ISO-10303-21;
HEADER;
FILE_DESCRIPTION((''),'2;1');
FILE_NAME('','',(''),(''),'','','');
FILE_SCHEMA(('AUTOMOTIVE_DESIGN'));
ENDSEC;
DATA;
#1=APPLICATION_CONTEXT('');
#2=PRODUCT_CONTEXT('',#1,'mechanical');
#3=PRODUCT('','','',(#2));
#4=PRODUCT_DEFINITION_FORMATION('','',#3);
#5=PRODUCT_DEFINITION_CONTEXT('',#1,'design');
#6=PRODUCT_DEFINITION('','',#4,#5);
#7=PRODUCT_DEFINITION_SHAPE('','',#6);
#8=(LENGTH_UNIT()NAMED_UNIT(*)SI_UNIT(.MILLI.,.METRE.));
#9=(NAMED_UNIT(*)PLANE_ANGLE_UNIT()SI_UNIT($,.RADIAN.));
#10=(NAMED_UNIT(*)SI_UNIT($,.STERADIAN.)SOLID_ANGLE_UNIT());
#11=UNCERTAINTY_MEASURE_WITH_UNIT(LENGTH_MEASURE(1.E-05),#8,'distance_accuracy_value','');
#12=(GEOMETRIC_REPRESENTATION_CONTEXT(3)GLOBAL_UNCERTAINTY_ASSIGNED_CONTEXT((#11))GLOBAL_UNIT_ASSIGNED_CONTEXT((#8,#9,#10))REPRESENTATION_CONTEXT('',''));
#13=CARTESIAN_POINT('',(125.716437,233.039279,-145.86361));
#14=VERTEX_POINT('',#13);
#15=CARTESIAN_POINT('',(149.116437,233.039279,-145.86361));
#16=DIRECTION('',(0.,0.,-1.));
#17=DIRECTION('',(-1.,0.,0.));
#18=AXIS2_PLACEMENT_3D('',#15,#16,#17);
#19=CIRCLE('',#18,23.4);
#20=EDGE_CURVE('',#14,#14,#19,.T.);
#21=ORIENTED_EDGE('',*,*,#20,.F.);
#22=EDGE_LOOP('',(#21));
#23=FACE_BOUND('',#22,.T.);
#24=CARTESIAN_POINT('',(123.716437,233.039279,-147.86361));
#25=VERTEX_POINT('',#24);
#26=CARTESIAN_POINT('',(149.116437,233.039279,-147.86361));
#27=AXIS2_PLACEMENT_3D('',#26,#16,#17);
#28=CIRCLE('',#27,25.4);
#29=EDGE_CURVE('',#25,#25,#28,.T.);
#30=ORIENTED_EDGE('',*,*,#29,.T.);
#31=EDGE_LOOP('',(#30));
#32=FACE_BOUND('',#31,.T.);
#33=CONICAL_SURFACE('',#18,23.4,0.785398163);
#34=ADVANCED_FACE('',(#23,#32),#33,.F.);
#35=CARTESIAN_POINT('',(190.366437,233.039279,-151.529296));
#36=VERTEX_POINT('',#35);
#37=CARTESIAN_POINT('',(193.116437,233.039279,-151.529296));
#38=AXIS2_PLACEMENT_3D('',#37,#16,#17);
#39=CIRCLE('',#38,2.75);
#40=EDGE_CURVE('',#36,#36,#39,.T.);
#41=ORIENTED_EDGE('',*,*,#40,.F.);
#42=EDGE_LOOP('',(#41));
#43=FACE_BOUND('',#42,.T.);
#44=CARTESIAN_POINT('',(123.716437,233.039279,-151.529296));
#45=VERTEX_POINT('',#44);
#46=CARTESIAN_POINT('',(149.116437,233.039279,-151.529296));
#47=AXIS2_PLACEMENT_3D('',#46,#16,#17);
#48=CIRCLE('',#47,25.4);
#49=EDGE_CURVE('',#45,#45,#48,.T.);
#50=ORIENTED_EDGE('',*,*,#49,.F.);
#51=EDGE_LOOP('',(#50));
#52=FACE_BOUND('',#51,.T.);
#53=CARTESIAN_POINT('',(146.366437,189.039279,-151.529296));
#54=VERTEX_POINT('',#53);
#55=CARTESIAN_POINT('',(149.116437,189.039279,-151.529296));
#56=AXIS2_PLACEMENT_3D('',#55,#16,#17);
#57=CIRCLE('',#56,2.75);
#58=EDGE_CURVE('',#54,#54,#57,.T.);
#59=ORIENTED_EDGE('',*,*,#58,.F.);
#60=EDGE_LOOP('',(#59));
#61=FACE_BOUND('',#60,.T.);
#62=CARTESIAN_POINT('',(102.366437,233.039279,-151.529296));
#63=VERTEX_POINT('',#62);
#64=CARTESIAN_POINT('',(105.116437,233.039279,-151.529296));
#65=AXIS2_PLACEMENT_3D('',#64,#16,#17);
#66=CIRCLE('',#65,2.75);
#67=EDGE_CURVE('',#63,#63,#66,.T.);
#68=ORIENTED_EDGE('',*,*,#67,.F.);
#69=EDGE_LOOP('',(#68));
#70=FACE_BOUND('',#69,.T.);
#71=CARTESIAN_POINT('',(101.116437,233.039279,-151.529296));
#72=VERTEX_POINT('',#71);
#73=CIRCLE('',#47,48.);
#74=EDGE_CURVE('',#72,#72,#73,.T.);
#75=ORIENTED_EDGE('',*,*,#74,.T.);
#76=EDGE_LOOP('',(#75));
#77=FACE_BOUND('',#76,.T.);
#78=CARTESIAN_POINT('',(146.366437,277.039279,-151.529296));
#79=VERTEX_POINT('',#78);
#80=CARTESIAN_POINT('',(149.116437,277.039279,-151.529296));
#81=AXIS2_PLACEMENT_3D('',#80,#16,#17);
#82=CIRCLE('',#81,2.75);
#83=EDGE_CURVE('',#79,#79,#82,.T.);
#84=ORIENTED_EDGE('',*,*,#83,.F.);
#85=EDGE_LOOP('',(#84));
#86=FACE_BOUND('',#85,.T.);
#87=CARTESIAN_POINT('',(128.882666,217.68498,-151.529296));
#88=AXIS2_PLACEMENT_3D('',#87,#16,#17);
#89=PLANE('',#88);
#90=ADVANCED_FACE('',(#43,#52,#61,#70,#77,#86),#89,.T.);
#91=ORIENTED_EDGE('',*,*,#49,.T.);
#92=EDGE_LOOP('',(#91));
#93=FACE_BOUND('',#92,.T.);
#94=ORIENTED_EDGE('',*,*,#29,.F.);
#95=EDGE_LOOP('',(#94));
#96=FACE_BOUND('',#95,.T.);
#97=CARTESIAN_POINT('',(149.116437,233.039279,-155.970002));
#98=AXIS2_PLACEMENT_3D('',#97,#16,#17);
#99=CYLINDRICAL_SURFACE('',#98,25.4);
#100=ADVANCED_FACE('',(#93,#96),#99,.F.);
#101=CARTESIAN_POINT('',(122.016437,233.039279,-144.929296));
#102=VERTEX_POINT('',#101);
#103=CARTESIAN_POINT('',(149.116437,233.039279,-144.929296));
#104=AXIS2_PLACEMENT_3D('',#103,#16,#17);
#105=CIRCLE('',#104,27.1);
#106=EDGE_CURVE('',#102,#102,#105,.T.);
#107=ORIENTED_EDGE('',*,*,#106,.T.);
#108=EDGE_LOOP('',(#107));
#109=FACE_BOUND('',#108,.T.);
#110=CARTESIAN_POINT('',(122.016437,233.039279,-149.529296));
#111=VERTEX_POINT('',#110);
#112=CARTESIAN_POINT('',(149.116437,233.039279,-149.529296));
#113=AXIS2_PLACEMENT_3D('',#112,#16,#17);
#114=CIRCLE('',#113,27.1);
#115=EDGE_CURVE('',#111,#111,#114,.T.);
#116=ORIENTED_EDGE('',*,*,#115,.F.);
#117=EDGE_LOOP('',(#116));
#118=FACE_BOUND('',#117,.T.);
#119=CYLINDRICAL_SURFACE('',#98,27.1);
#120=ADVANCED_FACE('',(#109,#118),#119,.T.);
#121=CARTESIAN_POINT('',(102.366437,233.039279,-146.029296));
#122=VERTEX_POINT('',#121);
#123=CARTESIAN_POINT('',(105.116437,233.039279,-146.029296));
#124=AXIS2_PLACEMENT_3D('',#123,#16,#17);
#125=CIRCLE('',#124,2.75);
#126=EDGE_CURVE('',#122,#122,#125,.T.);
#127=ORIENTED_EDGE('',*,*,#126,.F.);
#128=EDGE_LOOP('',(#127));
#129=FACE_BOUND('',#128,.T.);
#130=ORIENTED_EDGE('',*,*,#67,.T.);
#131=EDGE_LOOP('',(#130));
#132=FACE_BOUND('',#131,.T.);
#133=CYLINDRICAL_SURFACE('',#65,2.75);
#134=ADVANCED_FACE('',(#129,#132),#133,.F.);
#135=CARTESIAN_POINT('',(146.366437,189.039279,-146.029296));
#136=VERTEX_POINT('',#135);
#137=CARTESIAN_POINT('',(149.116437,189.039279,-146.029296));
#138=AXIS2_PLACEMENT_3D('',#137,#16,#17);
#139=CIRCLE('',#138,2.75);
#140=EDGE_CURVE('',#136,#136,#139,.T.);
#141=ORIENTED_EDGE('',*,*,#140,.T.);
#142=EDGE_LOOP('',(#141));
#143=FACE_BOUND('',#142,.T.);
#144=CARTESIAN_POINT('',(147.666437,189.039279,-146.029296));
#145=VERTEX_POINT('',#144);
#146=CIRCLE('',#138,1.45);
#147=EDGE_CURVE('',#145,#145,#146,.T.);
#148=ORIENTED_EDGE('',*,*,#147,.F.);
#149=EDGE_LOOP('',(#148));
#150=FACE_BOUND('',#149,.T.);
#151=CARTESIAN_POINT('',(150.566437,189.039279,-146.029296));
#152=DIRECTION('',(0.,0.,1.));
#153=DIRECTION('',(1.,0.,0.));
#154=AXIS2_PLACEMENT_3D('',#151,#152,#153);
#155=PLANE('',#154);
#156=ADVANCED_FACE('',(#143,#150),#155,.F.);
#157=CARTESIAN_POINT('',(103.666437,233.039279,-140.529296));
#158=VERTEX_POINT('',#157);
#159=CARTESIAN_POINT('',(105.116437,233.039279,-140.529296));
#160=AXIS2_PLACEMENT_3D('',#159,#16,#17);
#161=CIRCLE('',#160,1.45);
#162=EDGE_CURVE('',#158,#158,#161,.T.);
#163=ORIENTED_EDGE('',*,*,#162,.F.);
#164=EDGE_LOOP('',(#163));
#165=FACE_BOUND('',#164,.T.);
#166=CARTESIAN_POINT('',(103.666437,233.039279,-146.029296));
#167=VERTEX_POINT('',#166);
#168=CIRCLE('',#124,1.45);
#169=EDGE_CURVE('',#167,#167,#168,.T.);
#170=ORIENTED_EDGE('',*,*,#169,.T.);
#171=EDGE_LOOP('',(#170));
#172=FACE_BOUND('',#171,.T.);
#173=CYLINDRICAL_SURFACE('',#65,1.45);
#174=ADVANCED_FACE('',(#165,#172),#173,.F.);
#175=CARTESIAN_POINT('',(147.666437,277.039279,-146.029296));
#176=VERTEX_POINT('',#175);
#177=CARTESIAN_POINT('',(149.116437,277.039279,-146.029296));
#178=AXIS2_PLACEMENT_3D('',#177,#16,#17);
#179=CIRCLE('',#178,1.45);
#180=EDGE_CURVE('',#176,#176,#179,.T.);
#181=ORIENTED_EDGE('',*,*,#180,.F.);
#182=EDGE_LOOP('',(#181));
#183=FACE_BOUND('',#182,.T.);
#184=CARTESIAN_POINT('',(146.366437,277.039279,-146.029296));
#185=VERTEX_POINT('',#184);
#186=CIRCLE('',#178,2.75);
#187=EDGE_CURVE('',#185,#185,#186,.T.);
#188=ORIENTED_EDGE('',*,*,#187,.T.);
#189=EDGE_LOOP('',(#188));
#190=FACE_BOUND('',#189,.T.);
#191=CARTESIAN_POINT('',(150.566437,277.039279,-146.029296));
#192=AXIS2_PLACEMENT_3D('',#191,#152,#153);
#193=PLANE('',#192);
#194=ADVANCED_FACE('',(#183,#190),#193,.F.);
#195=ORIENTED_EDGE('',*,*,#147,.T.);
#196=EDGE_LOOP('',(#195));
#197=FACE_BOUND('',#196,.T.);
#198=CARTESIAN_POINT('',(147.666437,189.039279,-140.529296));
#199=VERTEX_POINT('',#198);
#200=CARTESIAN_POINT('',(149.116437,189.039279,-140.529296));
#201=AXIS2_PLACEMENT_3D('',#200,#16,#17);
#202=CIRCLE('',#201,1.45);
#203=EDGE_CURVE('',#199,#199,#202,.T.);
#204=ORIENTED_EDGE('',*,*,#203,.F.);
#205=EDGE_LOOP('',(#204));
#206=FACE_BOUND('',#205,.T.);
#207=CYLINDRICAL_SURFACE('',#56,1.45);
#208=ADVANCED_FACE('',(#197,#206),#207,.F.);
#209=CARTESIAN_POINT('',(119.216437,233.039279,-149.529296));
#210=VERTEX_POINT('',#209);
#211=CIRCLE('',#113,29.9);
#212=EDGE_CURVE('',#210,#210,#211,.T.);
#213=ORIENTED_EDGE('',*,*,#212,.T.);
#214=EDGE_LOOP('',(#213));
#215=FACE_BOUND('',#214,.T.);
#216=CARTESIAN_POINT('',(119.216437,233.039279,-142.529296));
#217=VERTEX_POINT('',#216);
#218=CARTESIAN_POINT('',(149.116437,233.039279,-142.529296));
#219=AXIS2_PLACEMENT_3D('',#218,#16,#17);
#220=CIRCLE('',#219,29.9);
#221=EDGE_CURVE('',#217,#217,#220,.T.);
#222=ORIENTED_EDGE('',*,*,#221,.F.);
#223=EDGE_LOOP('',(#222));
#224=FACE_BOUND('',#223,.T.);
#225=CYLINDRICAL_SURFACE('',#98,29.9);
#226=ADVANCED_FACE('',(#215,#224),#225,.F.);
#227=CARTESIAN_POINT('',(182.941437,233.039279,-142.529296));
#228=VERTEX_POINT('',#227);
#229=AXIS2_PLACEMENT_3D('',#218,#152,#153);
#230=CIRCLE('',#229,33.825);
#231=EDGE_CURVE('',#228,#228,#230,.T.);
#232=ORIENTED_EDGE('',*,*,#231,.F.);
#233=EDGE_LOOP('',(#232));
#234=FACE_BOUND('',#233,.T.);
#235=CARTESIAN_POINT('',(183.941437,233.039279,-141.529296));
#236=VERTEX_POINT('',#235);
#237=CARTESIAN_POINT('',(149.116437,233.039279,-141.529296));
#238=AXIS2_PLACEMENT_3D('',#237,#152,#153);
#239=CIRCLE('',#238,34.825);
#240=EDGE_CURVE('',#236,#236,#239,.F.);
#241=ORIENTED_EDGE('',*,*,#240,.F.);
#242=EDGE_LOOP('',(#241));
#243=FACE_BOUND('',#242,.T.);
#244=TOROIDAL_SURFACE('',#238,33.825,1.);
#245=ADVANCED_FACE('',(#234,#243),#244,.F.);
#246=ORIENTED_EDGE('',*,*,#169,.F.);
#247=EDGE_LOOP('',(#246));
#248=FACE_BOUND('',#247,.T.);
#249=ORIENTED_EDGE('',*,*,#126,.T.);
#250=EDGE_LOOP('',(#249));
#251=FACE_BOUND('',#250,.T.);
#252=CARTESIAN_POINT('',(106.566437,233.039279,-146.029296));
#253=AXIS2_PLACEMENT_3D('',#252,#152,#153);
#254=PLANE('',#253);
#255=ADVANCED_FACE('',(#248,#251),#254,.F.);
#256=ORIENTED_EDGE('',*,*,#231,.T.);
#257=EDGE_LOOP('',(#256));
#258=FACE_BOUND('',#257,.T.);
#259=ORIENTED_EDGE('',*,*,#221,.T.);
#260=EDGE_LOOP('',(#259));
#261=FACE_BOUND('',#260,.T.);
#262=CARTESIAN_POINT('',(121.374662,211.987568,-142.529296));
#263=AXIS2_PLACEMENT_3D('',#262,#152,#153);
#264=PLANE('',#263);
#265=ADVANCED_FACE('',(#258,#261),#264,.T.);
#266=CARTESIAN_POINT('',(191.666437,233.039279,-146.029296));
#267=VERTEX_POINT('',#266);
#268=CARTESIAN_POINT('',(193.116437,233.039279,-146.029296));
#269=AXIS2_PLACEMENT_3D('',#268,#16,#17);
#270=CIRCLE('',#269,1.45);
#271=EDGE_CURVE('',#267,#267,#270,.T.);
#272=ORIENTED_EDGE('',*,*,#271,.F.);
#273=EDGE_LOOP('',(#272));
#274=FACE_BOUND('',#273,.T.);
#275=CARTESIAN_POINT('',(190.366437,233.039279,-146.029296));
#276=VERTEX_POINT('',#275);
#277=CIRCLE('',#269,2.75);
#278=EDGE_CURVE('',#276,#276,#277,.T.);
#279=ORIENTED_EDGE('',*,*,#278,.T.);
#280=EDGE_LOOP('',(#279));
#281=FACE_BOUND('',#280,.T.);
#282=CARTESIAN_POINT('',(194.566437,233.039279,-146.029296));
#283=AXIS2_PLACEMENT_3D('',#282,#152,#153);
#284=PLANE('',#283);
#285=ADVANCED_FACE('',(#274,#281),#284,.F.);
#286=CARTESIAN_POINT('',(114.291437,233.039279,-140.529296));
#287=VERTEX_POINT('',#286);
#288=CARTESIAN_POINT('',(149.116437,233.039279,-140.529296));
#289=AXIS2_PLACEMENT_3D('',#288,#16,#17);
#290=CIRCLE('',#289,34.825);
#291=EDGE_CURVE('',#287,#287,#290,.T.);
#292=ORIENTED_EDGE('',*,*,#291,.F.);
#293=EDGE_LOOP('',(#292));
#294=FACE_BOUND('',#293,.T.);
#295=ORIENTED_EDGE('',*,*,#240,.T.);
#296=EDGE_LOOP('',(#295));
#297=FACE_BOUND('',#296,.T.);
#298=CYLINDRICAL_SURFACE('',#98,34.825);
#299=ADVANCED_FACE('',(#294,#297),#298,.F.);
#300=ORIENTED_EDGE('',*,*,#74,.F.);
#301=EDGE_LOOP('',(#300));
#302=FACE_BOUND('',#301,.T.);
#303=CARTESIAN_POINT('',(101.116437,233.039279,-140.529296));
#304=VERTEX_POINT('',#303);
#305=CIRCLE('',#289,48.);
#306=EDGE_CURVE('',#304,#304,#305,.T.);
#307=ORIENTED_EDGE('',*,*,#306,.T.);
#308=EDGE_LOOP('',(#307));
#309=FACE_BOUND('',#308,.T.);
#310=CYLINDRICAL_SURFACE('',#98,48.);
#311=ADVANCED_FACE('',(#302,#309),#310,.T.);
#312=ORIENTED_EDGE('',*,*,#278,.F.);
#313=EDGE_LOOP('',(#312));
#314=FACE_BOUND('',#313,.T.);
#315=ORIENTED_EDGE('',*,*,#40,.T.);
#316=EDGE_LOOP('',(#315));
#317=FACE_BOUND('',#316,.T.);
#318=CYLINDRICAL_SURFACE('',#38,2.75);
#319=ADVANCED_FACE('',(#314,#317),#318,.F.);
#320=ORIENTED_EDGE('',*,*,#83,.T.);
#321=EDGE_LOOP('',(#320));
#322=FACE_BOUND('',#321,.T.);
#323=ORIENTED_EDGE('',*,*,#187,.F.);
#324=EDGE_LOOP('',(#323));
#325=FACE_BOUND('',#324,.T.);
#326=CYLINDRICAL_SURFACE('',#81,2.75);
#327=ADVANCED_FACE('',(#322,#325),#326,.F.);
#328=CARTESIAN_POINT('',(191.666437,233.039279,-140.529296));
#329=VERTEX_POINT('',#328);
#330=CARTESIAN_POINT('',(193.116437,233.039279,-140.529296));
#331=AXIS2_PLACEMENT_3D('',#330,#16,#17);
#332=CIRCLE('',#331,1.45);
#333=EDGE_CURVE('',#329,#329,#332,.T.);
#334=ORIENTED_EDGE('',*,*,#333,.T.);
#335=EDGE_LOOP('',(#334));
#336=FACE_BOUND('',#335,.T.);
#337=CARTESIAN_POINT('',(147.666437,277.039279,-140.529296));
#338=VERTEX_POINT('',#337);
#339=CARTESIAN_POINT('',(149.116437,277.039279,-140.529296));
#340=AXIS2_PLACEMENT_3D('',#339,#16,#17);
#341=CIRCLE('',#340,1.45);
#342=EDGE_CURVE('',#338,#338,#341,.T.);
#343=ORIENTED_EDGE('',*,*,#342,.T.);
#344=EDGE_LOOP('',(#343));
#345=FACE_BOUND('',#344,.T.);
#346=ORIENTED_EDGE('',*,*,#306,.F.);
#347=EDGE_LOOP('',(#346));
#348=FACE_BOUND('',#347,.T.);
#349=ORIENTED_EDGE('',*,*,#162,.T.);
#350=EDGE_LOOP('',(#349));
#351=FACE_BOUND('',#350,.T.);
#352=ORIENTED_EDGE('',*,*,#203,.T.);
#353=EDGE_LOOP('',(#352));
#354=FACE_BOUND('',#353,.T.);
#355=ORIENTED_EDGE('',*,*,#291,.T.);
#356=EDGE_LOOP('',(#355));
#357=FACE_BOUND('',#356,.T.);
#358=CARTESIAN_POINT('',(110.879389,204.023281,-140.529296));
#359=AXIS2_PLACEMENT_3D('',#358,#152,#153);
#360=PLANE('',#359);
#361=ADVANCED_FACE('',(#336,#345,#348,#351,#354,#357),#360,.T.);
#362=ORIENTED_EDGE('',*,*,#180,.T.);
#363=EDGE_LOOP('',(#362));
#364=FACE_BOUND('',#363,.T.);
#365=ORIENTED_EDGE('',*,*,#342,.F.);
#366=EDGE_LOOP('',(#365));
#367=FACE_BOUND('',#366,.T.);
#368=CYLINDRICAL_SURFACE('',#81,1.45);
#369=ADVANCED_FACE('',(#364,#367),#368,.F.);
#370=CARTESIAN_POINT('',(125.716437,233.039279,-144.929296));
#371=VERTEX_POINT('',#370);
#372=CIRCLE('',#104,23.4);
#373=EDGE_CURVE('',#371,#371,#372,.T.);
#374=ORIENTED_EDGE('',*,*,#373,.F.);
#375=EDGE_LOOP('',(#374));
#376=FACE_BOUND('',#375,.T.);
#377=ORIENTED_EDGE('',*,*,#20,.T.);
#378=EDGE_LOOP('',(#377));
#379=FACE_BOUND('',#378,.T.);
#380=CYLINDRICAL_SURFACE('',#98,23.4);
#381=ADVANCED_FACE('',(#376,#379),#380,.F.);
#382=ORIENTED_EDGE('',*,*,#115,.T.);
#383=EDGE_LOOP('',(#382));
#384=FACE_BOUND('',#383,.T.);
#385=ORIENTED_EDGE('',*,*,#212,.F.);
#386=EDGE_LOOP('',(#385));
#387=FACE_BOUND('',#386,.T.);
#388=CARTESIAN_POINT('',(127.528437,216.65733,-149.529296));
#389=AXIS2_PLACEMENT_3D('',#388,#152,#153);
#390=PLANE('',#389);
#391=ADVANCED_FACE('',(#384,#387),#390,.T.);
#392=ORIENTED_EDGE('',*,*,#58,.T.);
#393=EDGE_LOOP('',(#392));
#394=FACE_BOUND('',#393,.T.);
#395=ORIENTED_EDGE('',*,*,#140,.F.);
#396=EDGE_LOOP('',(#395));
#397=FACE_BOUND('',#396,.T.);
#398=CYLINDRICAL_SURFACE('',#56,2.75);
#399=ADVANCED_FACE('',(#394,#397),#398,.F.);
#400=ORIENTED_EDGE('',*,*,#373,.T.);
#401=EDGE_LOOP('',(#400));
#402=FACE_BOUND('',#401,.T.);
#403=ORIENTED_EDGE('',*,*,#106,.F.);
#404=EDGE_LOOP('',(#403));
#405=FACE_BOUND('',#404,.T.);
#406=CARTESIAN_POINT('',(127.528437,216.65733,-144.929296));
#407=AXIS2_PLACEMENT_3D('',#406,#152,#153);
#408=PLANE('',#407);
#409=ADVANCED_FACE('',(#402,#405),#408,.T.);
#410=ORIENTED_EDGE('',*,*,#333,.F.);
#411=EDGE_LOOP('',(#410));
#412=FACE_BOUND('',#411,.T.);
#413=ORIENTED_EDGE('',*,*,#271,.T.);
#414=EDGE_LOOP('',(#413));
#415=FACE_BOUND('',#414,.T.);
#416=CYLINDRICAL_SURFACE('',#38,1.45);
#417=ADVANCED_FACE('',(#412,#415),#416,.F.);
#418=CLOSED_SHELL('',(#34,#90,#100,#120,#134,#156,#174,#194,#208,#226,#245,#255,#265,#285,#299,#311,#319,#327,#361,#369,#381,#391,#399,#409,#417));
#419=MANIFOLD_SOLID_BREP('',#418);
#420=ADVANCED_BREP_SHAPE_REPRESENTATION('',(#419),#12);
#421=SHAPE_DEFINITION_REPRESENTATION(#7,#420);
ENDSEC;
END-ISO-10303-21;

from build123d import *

# Parameters (mm, degrees)
FILLET1_R                        = 1
CBORE_FOR_M2_5_SHCS1_D           = 2.9
CBORE_FOR_M2_5_SHCS1_DEPTH       = 11
CBORE_FOR_M2_5_SHCS1_CBORE_D     = 5.5
CBORE_FOR_M2_5_SHCS1_CBORE_DEPTH = 5.5
CBORE_FOR_M2_5_SHCS1_TIP         = 0.871247898


with BuildPart() as part:
    # Sketch2 → Revolve1 (revolve)
    with BuildSketch(Plane(origin=(149.116436894, 233.039279035, -142.529295826), x_dir=(0.7966051698338124, 0.6044999614508201, 0), z_dir=(-0.6044999614508201, 0.7966051698338124, 0)), mode=Mode.PRIVATE) as revolve1_sk:
        Polygon((-23.4, 2.4), (-23.4, 3.334314575), (-25.4, 5.334314575), (-25.4, 9), (-48, 9), (-48, -2), (-34.825, -2), (-34.825, 0), (-29.9, 0), (-29.9, 7), (-27.1, 7), (-27.1, 2.4), align=None)
    revolve(revolve1_sk.sketch.rotate(Axis((149.116436894, 233.039279035, -155.970002237), (0, 0, 1)), 322.80713194), axis=Axis((149.116436894, 233.039279035, -155.970002237), (0, 0, 1)))

    # Fillet1
    fillet1_edges = [part.edges().sort_by_distance(p)[0] for p in [
        (183.941436894, 233.039279035, -142.529295826),
    ]]
    fillet(fillet1_edges, radius=FILLET1_R)

    # CBORE for M2.5 SHCS1
    with Locations(Plane(origin=(0, 0, -151.529295826), x_dir=(-1, 0, 0), z_dir=(0, 0, -1))):
        with Locations((-149.116436894, 277.039279035), (-149.116436894, 189.039279035), (-105.116436894, 233.039279035), (-193.116436894, 233.039279035)):
            CounterBoreHole(CBORE_FOR_M2_5_SHCS1_D / 2, CBORE_FOR_M2_5_SHCS1_CBORE_D / 2, CBORE_FOR_M2_5_SHCS1_CBORE_DEPTH, depth=CBORE_FOR_M2_5_SHCS1_DEPTH)
            with Locations((0, 0, -(CBORE_FOR_M2_5_SHCS1_DEPTH + CBORE_FOR_M2_5_SHCS1_TIP / 2))):  # 118° drill point
                Cone(0, CBORE_FOR_M2_5_SHCS1_D / 2, CBORE_FOR_M2_5_SHCS1_TIP, mode=Mode.SUBTRACT)


solid = part.part
